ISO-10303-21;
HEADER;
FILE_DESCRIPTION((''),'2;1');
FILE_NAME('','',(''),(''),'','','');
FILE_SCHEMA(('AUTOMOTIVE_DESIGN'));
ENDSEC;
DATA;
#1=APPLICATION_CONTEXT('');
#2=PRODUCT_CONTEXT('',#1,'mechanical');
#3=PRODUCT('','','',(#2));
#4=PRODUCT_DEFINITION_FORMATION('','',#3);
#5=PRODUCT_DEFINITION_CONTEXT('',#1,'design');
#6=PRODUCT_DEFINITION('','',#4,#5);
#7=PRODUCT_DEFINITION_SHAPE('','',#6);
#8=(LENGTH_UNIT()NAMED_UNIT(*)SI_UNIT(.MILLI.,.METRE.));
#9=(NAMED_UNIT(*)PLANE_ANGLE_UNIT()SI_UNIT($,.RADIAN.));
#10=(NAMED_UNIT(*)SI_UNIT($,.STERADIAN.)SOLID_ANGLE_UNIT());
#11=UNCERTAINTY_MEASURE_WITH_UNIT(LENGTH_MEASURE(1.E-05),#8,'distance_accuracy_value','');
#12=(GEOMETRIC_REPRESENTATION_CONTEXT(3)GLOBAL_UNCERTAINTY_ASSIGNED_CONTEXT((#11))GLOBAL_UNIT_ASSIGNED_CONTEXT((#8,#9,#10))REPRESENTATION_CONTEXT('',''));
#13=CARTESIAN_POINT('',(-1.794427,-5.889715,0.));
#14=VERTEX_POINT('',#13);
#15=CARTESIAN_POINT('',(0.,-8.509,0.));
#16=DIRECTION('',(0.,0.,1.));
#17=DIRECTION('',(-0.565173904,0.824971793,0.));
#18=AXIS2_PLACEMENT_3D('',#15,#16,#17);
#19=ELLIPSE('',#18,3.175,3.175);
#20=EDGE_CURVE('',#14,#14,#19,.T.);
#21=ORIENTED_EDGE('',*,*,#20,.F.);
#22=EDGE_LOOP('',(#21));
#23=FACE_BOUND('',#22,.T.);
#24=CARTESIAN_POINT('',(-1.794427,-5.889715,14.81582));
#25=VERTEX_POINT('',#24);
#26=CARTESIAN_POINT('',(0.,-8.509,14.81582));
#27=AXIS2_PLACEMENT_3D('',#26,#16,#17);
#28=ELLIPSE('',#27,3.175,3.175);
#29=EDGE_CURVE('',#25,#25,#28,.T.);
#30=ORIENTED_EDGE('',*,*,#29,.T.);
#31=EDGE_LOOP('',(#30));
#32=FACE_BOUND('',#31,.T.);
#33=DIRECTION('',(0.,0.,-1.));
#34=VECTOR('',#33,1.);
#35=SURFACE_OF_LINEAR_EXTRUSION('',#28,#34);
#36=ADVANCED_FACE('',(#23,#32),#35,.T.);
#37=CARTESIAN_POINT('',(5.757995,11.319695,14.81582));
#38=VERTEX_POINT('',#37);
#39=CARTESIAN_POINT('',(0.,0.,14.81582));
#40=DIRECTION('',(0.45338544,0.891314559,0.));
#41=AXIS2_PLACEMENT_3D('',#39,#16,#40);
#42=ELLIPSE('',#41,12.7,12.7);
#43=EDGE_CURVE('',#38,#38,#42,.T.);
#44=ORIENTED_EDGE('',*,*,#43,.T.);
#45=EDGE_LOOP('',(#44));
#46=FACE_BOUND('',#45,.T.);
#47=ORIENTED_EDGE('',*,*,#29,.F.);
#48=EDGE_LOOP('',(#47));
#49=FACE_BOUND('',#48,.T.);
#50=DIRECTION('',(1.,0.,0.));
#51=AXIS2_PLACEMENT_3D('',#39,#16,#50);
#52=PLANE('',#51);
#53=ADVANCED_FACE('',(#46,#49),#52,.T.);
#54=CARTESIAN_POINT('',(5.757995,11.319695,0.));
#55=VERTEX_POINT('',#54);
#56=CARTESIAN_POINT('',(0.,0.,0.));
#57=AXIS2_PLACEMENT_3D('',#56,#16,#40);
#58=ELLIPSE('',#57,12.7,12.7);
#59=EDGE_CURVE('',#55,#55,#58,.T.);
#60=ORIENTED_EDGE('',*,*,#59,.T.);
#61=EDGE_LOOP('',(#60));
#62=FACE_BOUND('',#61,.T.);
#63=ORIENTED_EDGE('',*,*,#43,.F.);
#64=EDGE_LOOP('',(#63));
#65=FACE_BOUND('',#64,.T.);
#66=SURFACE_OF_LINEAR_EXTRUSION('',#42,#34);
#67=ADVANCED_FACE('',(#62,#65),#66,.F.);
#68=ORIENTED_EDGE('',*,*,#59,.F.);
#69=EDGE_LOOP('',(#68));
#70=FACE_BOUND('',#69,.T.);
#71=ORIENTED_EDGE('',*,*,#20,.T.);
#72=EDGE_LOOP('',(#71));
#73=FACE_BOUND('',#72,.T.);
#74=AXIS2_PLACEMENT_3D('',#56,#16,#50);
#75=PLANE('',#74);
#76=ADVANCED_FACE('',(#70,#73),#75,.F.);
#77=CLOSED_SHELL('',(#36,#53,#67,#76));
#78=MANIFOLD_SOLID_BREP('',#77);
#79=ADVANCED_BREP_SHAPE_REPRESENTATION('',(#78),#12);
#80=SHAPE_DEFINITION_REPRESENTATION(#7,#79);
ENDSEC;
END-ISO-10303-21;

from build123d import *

# Parameters (mm, degrees)
ESQUISSE1_RX       = 12.7
ESQUISSE1_RY       = 12.7
ESQUISSE1_RX_2     = 3.175
ESQUISSE1_RY_2     = 3.175
BOSS_EXTRU_1_DEPTH = 14.81582


with BuildPart() as part:
    # Esquisse1 → Boss.-Extru.1 (new body)
    with BuildSketch(Plane.XY):
        with Locations(Location((0, 0), (0, 0, 63.038901355))):
            Ellipse(ESQUISSE1_RX, ESQUISSE1_RY)
        with Locations(Location((0, -8.509), (0, 0, 124.414368361))):
            Ellipse(ESQUISSE1_RX_2, ESQUISSE1_RY_2, mode=Mode.SUBTRACT)
    extrude(amount=BOSS_EXTRU_1_DEPTH)


solid = part.part
